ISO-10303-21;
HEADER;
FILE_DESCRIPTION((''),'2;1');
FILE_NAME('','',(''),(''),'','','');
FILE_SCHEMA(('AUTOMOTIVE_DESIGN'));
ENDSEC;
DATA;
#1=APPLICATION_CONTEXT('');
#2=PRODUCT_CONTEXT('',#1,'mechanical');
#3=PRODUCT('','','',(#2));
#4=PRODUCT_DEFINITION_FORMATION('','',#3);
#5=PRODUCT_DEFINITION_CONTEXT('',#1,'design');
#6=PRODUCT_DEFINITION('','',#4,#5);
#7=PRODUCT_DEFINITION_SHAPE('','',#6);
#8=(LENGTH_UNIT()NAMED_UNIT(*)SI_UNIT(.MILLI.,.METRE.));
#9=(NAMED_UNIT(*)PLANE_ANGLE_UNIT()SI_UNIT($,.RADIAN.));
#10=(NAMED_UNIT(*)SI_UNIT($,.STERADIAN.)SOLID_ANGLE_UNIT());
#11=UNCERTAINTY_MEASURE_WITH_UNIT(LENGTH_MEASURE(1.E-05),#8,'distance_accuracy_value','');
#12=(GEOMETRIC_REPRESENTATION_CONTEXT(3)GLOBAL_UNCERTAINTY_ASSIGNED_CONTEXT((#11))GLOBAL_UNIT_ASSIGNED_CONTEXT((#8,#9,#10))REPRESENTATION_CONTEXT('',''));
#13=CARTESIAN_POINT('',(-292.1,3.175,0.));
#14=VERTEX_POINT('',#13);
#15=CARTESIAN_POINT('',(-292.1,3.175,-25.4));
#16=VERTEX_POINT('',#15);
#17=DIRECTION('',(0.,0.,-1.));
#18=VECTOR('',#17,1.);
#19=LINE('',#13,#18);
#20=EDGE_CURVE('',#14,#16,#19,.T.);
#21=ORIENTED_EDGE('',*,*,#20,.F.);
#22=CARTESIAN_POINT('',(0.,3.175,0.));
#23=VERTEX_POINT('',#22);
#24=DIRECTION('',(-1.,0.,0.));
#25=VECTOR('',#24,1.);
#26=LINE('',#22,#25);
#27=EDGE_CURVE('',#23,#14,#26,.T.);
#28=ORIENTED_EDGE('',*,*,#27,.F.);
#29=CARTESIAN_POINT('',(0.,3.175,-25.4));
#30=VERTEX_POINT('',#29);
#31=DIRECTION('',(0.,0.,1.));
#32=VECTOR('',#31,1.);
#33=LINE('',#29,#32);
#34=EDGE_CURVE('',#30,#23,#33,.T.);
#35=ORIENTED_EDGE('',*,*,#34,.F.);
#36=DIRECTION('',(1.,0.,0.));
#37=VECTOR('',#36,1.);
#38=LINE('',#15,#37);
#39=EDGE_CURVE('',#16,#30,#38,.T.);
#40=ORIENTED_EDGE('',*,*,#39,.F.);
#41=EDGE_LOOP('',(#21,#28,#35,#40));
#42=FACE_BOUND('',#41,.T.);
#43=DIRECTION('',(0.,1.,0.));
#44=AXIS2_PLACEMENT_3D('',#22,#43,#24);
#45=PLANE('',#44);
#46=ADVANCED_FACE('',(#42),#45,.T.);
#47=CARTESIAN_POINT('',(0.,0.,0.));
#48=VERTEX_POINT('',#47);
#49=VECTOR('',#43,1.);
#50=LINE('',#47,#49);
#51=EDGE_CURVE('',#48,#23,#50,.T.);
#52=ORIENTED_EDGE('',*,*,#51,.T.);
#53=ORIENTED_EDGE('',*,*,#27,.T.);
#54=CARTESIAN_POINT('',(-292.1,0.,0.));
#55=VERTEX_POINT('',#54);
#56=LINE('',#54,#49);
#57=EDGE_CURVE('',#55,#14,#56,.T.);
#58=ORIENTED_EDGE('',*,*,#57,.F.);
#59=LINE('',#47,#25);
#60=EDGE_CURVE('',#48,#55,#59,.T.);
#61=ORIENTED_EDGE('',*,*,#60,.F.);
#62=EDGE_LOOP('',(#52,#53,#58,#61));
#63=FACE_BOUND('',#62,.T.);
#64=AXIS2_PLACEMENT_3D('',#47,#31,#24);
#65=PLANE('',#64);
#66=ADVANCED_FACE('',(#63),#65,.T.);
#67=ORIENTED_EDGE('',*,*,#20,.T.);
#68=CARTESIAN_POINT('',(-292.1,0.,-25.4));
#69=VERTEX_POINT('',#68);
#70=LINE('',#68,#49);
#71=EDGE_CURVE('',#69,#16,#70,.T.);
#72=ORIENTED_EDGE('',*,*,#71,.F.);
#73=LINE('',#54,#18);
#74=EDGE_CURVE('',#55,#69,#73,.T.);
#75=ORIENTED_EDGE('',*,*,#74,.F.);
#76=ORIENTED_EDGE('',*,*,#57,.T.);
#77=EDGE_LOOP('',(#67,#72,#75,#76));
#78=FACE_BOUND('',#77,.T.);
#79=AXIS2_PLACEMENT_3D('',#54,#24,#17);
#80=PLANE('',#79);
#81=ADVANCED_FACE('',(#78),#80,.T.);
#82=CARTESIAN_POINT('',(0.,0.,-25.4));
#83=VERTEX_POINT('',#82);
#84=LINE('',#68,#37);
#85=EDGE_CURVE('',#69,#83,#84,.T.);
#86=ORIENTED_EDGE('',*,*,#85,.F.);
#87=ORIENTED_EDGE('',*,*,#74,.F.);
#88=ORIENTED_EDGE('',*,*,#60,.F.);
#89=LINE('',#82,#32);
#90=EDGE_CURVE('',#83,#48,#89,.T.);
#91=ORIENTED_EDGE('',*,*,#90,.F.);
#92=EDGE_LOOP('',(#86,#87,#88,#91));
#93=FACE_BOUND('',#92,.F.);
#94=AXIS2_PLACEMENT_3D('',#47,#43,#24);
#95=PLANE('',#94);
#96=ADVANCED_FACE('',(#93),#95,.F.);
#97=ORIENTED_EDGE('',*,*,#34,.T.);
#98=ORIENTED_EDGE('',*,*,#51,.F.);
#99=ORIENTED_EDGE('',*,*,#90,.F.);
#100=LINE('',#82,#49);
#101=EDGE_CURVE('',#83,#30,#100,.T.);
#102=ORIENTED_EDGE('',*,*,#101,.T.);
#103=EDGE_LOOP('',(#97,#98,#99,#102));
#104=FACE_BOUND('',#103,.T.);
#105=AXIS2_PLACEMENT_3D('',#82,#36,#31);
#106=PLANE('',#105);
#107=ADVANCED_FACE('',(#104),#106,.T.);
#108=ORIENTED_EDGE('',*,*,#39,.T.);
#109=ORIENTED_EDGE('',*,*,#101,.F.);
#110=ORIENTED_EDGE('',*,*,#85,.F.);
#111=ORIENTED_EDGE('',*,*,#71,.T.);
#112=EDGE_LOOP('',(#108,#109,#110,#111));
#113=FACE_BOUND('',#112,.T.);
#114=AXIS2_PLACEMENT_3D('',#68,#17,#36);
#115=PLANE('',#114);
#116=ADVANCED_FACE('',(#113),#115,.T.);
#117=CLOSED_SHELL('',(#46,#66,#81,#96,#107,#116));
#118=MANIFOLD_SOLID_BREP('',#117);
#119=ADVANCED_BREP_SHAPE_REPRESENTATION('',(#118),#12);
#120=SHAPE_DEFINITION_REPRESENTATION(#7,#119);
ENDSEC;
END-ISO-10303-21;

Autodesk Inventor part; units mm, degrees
ref_plane "YZ Plane" through (0, 0, 0) normal (1, 0, 0) x (0, 1, 0)
ref_plane "XZ Plane" through (0, 0, 0) normal (0, 1, 0) x (-1, 0, 0)
ref_plane "XY Plane" through (0, 0, 0) normal (0, 0, 1) x (1, 0, 0)
sketch "Sketch1" plane through (0, 0, 0) normal (0, 1, 0) x (-1, 0, 0)
  line L0 (0, 0) -> (292.1, 0)
  line L1 (292.1, 0) -> (292.1, -25.4)
  line L2 (292.1, -25.4) -> (0, -25.4)
  line L3 (0, -25.4) -> (0, 0)
  dimension "d0" = 292.1
  dimension "d1" = 25.4
extrude "Extrusion1" add sketch "Sketch1" along normal blind 3.175
properties part number "Part D. Tracks"
